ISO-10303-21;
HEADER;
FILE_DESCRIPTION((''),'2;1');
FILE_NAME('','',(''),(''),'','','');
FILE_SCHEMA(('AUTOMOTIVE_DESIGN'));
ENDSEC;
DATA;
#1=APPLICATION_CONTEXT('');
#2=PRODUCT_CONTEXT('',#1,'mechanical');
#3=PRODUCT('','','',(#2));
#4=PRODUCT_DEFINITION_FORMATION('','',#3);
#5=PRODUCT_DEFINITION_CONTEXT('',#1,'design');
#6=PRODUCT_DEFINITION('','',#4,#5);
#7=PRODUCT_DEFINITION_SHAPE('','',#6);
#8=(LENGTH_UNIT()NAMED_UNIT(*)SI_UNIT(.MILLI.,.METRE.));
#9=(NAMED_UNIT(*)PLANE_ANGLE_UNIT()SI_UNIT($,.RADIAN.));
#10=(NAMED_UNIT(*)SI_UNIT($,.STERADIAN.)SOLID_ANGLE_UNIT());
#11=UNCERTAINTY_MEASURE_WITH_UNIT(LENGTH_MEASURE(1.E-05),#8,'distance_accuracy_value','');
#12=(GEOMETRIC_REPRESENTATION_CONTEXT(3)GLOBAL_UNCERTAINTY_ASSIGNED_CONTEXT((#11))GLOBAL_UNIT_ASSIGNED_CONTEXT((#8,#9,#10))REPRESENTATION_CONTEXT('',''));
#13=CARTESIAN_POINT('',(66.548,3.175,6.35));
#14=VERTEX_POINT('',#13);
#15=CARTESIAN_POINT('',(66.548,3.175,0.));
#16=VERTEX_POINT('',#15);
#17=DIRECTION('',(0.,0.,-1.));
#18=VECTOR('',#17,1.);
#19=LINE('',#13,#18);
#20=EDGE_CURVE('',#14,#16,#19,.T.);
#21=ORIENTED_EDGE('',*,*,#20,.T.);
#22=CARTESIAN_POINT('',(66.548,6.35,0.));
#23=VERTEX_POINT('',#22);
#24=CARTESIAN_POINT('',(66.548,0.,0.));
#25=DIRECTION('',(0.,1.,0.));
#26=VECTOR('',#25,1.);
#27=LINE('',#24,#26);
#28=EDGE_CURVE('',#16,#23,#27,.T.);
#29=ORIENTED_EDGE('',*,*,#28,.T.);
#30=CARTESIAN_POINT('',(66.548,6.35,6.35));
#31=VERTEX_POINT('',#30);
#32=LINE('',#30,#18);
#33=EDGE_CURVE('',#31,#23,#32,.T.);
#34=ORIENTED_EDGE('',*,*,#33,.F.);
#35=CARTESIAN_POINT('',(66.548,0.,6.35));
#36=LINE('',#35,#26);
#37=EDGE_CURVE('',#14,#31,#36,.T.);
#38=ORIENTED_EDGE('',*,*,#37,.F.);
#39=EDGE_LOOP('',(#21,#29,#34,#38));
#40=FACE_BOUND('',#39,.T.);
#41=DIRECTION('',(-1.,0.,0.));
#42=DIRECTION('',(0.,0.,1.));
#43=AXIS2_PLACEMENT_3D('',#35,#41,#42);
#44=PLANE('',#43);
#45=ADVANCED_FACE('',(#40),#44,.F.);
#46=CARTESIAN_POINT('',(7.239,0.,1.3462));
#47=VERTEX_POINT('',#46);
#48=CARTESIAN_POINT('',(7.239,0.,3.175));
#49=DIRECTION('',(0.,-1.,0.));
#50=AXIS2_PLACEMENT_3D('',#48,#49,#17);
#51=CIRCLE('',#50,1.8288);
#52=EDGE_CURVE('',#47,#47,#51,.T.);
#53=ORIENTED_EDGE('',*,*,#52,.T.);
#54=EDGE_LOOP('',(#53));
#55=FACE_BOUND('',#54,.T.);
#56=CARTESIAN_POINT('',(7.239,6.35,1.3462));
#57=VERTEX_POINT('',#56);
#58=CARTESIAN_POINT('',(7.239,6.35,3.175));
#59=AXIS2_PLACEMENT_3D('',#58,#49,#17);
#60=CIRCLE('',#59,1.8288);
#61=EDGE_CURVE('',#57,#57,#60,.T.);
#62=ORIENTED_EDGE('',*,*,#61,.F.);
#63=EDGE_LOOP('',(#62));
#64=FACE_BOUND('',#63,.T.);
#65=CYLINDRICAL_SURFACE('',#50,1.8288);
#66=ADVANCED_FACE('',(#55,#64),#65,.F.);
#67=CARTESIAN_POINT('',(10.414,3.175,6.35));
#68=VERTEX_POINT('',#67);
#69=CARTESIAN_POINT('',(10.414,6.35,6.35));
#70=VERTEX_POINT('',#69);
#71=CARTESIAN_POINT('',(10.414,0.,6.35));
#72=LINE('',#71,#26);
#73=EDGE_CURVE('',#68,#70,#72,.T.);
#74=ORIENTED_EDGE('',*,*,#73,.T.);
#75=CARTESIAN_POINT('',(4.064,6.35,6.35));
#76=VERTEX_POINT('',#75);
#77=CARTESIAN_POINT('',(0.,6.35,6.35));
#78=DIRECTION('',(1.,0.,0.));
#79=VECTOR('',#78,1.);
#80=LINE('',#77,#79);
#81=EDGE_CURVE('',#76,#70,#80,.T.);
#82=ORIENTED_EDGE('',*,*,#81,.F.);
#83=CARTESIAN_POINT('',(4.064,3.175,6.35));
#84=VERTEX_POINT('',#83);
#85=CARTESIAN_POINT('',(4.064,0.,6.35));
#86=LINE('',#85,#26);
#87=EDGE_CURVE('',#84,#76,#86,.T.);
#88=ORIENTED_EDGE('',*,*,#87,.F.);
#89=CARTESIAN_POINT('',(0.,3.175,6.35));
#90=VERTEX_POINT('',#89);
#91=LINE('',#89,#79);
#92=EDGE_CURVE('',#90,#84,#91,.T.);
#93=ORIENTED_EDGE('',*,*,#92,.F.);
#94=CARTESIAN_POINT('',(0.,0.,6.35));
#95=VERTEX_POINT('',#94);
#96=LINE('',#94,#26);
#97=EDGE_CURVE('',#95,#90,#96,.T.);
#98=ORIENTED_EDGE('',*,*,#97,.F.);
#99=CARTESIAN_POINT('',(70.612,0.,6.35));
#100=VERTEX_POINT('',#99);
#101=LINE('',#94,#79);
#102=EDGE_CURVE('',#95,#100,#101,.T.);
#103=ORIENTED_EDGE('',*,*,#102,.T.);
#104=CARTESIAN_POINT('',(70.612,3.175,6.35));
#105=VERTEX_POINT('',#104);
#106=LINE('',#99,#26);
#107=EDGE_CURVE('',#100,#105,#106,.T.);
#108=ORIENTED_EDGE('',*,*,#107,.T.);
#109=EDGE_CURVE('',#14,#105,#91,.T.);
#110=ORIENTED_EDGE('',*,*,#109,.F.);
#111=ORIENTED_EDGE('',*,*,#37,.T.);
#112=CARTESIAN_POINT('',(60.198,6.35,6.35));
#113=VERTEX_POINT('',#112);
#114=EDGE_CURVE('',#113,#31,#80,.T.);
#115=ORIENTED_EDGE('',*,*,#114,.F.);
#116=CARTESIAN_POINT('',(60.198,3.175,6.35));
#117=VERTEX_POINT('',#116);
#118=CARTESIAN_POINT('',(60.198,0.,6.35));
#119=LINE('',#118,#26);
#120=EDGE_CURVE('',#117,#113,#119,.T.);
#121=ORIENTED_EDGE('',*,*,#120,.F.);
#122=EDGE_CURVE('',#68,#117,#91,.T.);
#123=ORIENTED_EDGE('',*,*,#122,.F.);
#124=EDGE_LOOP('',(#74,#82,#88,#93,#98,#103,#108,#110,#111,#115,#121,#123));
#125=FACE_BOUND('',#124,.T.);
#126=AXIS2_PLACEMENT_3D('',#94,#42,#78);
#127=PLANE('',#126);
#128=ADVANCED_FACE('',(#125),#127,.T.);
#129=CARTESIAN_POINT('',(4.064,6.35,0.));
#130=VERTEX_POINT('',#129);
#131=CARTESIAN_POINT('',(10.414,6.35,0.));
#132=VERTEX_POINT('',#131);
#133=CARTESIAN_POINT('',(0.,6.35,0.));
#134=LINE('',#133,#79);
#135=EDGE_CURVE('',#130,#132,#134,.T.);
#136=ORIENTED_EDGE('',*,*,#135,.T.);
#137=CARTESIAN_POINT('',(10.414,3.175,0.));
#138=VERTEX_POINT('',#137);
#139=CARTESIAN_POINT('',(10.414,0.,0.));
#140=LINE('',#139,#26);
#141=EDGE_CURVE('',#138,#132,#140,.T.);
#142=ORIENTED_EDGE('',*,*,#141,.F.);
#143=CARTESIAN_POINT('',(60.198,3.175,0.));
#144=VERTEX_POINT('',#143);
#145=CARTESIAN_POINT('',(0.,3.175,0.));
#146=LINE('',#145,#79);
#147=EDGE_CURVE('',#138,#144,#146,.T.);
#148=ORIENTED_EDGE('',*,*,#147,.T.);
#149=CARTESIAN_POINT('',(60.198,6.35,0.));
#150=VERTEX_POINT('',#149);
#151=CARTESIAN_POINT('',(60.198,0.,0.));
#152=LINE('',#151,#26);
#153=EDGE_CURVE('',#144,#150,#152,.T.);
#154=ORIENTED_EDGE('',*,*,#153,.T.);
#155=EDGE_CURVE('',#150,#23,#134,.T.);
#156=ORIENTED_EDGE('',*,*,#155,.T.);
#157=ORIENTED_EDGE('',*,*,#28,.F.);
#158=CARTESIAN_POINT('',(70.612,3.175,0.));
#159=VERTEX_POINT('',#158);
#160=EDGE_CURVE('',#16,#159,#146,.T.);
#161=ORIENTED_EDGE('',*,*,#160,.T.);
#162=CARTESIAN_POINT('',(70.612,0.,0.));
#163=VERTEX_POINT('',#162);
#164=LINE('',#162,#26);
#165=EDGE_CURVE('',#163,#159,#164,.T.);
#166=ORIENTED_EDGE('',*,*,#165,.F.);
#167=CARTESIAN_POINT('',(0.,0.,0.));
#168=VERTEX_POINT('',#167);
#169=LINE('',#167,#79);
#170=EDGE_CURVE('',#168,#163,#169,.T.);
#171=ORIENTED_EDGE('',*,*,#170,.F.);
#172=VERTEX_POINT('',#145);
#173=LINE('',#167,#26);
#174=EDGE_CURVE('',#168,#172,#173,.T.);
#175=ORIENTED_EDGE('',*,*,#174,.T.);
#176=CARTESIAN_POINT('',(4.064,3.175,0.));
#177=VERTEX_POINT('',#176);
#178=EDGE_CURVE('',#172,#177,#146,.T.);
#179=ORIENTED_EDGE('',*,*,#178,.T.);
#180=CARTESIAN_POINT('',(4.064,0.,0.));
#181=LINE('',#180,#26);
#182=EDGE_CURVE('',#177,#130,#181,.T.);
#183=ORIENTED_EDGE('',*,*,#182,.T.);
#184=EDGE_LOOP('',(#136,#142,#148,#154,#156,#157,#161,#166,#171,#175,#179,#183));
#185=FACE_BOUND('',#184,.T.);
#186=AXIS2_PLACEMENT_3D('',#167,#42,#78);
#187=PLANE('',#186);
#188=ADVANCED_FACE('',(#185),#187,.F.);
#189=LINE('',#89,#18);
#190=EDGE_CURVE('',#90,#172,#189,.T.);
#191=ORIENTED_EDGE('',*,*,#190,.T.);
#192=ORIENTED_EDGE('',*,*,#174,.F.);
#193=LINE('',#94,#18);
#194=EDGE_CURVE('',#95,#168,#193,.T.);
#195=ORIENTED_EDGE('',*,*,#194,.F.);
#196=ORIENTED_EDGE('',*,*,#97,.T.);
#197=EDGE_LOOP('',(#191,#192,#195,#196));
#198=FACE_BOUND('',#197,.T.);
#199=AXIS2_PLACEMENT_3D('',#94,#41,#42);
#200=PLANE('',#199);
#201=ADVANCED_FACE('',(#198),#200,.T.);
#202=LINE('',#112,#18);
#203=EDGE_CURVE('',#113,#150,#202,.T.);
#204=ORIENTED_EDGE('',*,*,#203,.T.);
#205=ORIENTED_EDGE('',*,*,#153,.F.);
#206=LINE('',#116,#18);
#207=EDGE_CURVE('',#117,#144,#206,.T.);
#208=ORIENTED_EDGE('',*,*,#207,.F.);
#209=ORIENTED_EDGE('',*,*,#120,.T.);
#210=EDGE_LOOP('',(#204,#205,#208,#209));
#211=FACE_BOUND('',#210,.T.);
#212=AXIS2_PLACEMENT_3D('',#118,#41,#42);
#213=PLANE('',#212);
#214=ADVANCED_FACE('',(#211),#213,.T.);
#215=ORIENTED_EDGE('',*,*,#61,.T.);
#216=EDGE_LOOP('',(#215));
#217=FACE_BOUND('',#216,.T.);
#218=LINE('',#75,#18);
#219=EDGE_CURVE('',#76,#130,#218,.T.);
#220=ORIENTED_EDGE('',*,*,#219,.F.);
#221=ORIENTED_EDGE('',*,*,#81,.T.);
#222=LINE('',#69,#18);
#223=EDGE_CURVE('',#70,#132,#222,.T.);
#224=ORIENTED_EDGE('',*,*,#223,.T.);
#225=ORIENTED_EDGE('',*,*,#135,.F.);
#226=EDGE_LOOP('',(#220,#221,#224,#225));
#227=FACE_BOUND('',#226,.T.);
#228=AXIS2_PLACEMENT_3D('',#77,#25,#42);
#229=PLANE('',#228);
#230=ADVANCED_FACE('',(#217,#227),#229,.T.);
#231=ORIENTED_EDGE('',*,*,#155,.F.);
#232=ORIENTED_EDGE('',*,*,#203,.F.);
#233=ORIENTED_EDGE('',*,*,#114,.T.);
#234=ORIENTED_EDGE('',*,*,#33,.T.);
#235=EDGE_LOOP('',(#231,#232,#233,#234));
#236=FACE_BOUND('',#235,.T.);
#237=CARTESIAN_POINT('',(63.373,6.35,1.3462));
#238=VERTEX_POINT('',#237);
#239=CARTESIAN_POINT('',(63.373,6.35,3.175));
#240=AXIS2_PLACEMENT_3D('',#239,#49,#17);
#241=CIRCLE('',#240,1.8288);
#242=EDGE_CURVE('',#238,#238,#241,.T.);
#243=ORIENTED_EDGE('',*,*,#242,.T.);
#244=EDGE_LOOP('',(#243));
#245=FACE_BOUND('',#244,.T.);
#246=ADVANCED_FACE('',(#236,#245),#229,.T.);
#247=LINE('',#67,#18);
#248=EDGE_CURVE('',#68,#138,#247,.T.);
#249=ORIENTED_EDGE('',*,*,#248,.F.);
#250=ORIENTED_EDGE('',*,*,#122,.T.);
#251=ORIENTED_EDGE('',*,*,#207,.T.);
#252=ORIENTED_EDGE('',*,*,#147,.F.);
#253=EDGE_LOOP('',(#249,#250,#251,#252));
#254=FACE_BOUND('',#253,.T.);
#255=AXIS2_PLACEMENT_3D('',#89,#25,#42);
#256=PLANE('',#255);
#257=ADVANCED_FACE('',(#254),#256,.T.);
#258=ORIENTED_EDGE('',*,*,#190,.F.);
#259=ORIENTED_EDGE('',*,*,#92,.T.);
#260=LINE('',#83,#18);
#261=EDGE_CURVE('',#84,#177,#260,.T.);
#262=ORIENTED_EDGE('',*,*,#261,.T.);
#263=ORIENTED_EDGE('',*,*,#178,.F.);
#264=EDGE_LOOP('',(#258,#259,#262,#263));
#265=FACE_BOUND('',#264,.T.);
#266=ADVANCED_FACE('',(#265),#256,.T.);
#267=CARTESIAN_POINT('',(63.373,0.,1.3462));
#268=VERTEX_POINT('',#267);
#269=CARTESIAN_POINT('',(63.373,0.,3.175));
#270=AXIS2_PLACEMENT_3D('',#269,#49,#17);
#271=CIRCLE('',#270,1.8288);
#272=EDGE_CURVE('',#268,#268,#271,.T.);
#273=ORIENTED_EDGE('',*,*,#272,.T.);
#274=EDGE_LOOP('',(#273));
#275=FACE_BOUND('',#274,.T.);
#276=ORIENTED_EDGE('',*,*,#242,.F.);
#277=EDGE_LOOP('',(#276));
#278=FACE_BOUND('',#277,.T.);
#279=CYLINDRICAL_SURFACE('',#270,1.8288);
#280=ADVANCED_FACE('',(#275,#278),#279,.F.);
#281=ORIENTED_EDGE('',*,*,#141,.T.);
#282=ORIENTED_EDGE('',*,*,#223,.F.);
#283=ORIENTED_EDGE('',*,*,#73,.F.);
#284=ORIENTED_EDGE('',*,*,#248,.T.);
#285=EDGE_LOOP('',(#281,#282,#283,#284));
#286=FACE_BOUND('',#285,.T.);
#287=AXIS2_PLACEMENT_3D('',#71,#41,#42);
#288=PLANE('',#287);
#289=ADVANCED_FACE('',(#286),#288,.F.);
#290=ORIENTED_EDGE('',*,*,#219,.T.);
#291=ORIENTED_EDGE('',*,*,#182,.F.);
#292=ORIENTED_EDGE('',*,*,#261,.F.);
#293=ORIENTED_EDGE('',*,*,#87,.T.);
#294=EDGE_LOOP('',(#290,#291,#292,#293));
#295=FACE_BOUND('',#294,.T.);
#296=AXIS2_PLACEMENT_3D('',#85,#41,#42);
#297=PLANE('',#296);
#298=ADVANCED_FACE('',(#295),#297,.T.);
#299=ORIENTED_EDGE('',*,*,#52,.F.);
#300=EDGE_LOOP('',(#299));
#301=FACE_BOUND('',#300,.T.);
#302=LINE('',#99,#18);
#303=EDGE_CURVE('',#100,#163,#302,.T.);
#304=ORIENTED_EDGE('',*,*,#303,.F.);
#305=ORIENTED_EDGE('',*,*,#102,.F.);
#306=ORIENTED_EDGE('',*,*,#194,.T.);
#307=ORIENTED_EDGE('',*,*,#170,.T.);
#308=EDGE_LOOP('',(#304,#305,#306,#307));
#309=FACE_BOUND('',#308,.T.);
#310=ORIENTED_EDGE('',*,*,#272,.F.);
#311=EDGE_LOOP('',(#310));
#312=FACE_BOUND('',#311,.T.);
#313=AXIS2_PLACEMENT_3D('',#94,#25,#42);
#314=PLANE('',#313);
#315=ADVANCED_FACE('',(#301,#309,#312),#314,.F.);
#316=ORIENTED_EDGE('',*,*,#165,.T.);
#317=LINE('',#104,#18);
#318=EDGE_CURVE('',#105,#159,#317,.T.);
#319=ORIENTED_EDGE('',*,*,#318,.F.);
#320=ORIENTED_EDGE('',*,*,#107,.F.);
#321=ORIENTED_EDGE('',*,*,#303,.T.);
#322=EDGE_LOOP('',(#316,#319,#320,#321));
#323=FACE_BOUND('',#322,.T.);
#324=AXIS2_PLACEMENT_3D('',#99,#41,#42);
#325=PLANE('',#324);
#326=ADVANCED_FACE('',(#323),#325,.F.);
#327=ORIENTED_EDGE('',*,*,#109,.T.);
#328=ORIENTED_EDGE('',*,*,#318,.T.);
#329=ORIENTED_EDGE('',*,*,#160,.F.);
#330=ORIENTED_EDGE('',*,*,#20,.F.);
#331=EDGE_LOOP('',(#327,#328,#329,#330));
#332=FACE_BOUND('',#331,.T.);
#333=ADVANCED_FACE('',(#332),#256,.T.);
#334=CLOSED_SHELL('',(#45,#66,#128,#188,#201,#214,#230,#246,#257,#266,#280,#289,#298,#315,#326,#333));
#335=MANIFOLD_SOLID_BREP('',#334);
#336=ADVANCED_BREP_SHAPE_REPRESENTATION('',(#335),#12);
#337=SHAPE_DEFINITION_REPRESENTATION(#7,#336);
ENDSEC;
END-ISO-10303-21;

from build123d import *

# Parameters (mm, degrees)
SKETCH1_W             = 6.35
SKETCH1_H             = 3.175
BOSS_EXTRUDE1_DEPTH   = 6.35
F_6_CLEARANCE_HOLE1_D = 3.6576


with BuildPart() as part:
    # Sketch1 → Boss-Extrude1 (new body)
    with BuildSketch(Plane.XY):
        Polygon((0, 0), (35.306, 0), (35.306, 3.175), (10.414, 3.175), (4.064, 3.175), (0, 3.175), align=None)
        with Locations((7.239, 4.7625)):
            Rectangle(SKETCH1_W, SKETCH1_H)
        with Locations((63.373, 4.7625)):
            Rectangle(SKETCH1_W, SKETCH1_H)
        Polygon((35.306, 3.175), (35.306, 0), (70.612, 0), (70.612, 3.175), (66.548, 3.175), (60.198, 3.175), align=None)
    extrude(amount=BOSS_EXTRUDE1_DEPTH)

    # #6 Clearance Hole1 (through all)
    with Locations(Plane(origin=(7.239, 0, 3.175), x_dir=(0, 0, -1), z_dir=(0, -1, 0))):
        with Locations((0, 0), (0, 56.134)):
            Hole(F_6_CLEARANCE_HOLE1_D / 2)


solid = part.part
